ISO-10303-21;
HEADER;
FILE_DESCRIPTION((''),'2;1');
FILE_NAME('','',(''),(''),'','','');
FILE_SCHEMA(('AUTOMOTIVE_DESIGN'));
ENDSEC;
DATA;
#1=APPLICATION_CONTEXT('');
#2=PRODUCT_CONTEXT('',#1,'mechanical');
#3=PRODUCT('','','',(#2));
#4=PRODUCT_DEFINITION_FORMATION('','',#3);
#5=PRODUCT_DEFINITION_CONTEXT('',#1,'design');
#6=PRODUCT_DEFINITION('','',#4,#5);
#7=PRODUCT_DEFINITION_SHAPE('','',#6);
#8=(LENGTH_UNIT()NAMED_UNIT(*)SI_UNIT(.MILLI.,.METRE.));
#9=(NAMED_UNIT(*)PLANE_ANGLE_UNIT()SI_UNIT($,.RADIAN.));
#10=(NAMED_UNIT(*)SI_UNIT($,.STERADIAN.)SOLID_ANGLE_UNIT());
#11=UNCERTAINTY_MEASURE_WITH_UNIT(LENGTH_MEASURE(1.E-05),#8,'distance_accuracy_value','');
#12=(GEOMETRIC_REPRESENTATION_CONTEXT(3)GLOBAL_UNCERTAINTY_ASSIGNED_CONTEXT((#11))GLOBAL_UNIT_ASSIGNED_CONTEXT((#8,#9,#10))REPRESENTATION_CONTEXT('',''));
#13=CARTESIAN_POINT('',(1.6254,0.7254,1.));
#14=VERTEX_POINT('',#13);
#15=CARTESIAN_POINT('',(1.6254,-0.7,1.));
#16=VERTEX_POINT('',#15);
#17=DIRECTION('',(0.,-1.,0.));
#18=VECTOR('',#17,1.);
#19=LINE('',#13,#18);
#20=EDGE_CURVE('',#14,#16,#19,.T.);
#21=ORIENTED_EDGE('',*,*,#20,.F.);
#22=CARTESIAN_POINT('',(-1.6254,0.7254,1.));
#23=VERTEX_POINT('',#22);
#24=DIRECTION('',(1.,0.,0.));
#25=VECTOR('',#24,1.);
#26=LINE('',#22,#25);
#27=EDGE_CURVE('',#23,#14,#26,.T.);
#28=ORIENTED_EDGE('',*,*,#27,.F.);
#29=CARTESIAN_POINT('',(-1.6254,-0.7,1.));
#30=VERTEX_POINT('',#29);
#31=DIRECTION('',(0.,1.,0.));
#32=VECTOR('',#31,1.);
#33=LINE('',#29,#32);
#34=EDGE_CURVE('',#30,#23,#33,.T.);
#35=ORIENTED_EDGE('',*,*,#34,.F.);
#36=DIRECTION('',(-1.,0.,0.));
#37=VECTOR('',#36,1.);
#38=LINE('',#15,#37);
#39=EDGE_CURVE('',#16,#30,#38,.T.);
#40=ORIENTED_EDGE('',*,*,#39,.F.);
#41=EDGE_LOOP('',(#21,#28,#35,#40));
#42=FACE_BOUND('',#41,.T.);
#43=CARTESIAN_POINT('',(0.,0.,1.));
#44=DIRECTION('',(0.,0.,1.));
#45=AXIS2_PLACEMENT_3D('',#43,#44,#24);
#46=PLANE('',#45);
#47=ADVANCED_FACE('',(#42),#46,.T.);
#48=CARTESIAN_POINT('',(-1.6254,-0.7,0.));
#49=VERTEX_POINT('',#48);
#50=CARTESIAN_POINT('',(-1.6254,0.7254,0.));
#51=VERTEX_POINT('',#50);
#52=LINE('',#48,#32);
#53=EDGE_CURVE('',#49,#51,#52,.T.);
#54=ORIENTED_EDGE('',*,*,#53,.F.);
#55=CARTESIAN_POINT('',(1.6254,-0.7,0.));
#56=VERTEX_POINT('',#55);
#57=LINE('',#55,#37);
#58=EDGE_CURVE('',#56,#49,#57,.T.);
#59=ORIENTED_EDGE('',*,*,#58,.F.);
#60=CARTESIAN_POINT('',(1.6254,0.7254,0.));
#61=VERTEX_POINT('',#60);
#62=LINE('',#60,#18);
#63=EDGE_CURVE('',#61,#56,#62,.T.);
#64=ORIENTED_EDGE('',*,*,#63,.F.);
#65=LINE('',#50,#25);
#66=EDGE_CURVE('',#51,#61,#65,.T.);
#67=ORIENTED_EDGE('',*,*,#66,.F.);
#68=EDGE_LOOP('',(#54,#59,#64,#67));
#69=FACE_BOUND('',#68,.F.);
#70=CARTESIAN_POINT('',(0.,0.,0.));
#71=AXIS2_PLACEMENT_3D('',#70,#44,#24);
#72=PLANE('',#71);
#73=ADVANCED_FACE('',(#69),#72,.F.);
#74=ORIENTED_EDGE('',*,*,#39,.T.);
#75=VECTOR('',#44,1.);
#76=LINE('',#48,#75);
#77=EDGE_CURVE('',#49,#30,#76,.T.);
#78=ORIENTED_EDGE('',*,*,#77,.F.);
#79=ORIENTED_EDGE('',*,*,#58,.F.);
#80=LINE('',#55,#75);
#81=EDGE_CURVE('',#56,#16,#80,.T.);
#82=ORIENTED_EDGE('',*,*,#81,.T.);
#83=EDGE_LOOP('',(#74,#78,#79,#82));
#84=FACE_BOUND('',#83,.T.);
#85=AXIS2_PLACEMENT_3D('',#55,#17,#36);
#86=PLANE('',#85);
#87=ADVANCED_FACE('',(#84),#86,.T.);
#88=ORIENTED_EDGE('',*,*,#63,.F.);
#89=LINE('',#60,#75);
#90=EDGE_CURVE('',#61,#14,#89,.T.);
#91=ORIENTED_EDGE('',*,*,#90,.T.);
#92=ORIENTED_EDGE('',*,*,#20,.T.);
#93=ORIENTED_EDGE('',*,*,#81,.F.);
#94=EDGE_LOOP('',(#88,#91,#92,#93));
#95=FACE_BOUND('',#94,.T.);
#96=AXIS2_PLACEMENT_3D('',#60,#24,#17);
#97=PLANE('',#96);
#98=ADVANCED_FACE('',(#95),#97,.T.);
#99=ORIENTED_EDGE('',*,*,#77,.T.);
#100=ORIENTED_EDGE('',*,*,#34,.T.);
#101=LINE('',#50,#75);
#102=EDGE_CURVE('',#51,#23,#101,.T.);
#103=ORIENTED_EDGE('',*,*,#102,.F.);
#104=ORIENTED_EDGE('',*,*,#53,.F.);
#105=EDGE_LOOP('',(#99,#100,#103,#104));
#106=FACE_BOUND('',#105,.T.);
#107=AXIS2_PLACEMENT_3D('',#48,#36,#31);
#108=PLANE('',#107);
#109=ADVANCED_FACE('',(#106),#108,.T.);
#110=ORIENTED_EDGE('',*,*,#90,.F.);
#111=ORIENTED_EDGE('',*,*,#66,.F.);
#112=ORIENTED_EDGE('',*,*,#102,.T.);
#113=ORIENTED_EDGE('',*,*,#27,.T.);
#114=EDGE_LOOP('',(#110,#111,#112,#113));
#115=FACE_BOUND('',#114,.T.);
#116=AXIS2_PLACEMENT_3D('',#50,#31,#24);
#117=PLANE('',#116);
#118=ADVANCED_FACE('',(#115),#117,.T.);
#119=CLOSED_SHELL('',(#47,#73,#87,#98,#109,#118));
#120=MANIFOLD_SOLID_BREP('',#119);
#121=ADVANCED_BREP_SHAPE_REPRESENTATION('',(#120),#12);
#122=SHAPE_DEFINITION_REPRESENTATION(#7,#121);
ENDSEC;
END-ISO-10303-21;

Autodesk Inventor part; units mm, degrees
ref_plane "YZ Plane" through (0, 0, 0) normal (1, 0, 0) x (0, 1, 0)
ref_plane "XZ Plane" through (0, 0, 0) normal (0, 1, 0) x (-1, 0, 0)
ref_plane "XY Plane" through (0, 0, 0) normal (0, 0, 1) x (1, 0, 0)
sketch "0603, 10K_38" plane through (0, 0, 0) normal (0, 0, 1) x (1, 0, 0)
  line L0 (-1.6254, 0.7254) -> (1.6254, 0.7254)
  line L1 (1.6254, 0.7254) -> (1.6254, -0.7)
  line L2 (1.6254, -0.7) -> (-1.6254, -0.7)
  line L3 (-1.6254, -0.7) -> (-1.6254, 0.7254)
extrude "Extrusion1" add sketch "0603, 10K_38" along normal blind 1
properties part number "10K"
